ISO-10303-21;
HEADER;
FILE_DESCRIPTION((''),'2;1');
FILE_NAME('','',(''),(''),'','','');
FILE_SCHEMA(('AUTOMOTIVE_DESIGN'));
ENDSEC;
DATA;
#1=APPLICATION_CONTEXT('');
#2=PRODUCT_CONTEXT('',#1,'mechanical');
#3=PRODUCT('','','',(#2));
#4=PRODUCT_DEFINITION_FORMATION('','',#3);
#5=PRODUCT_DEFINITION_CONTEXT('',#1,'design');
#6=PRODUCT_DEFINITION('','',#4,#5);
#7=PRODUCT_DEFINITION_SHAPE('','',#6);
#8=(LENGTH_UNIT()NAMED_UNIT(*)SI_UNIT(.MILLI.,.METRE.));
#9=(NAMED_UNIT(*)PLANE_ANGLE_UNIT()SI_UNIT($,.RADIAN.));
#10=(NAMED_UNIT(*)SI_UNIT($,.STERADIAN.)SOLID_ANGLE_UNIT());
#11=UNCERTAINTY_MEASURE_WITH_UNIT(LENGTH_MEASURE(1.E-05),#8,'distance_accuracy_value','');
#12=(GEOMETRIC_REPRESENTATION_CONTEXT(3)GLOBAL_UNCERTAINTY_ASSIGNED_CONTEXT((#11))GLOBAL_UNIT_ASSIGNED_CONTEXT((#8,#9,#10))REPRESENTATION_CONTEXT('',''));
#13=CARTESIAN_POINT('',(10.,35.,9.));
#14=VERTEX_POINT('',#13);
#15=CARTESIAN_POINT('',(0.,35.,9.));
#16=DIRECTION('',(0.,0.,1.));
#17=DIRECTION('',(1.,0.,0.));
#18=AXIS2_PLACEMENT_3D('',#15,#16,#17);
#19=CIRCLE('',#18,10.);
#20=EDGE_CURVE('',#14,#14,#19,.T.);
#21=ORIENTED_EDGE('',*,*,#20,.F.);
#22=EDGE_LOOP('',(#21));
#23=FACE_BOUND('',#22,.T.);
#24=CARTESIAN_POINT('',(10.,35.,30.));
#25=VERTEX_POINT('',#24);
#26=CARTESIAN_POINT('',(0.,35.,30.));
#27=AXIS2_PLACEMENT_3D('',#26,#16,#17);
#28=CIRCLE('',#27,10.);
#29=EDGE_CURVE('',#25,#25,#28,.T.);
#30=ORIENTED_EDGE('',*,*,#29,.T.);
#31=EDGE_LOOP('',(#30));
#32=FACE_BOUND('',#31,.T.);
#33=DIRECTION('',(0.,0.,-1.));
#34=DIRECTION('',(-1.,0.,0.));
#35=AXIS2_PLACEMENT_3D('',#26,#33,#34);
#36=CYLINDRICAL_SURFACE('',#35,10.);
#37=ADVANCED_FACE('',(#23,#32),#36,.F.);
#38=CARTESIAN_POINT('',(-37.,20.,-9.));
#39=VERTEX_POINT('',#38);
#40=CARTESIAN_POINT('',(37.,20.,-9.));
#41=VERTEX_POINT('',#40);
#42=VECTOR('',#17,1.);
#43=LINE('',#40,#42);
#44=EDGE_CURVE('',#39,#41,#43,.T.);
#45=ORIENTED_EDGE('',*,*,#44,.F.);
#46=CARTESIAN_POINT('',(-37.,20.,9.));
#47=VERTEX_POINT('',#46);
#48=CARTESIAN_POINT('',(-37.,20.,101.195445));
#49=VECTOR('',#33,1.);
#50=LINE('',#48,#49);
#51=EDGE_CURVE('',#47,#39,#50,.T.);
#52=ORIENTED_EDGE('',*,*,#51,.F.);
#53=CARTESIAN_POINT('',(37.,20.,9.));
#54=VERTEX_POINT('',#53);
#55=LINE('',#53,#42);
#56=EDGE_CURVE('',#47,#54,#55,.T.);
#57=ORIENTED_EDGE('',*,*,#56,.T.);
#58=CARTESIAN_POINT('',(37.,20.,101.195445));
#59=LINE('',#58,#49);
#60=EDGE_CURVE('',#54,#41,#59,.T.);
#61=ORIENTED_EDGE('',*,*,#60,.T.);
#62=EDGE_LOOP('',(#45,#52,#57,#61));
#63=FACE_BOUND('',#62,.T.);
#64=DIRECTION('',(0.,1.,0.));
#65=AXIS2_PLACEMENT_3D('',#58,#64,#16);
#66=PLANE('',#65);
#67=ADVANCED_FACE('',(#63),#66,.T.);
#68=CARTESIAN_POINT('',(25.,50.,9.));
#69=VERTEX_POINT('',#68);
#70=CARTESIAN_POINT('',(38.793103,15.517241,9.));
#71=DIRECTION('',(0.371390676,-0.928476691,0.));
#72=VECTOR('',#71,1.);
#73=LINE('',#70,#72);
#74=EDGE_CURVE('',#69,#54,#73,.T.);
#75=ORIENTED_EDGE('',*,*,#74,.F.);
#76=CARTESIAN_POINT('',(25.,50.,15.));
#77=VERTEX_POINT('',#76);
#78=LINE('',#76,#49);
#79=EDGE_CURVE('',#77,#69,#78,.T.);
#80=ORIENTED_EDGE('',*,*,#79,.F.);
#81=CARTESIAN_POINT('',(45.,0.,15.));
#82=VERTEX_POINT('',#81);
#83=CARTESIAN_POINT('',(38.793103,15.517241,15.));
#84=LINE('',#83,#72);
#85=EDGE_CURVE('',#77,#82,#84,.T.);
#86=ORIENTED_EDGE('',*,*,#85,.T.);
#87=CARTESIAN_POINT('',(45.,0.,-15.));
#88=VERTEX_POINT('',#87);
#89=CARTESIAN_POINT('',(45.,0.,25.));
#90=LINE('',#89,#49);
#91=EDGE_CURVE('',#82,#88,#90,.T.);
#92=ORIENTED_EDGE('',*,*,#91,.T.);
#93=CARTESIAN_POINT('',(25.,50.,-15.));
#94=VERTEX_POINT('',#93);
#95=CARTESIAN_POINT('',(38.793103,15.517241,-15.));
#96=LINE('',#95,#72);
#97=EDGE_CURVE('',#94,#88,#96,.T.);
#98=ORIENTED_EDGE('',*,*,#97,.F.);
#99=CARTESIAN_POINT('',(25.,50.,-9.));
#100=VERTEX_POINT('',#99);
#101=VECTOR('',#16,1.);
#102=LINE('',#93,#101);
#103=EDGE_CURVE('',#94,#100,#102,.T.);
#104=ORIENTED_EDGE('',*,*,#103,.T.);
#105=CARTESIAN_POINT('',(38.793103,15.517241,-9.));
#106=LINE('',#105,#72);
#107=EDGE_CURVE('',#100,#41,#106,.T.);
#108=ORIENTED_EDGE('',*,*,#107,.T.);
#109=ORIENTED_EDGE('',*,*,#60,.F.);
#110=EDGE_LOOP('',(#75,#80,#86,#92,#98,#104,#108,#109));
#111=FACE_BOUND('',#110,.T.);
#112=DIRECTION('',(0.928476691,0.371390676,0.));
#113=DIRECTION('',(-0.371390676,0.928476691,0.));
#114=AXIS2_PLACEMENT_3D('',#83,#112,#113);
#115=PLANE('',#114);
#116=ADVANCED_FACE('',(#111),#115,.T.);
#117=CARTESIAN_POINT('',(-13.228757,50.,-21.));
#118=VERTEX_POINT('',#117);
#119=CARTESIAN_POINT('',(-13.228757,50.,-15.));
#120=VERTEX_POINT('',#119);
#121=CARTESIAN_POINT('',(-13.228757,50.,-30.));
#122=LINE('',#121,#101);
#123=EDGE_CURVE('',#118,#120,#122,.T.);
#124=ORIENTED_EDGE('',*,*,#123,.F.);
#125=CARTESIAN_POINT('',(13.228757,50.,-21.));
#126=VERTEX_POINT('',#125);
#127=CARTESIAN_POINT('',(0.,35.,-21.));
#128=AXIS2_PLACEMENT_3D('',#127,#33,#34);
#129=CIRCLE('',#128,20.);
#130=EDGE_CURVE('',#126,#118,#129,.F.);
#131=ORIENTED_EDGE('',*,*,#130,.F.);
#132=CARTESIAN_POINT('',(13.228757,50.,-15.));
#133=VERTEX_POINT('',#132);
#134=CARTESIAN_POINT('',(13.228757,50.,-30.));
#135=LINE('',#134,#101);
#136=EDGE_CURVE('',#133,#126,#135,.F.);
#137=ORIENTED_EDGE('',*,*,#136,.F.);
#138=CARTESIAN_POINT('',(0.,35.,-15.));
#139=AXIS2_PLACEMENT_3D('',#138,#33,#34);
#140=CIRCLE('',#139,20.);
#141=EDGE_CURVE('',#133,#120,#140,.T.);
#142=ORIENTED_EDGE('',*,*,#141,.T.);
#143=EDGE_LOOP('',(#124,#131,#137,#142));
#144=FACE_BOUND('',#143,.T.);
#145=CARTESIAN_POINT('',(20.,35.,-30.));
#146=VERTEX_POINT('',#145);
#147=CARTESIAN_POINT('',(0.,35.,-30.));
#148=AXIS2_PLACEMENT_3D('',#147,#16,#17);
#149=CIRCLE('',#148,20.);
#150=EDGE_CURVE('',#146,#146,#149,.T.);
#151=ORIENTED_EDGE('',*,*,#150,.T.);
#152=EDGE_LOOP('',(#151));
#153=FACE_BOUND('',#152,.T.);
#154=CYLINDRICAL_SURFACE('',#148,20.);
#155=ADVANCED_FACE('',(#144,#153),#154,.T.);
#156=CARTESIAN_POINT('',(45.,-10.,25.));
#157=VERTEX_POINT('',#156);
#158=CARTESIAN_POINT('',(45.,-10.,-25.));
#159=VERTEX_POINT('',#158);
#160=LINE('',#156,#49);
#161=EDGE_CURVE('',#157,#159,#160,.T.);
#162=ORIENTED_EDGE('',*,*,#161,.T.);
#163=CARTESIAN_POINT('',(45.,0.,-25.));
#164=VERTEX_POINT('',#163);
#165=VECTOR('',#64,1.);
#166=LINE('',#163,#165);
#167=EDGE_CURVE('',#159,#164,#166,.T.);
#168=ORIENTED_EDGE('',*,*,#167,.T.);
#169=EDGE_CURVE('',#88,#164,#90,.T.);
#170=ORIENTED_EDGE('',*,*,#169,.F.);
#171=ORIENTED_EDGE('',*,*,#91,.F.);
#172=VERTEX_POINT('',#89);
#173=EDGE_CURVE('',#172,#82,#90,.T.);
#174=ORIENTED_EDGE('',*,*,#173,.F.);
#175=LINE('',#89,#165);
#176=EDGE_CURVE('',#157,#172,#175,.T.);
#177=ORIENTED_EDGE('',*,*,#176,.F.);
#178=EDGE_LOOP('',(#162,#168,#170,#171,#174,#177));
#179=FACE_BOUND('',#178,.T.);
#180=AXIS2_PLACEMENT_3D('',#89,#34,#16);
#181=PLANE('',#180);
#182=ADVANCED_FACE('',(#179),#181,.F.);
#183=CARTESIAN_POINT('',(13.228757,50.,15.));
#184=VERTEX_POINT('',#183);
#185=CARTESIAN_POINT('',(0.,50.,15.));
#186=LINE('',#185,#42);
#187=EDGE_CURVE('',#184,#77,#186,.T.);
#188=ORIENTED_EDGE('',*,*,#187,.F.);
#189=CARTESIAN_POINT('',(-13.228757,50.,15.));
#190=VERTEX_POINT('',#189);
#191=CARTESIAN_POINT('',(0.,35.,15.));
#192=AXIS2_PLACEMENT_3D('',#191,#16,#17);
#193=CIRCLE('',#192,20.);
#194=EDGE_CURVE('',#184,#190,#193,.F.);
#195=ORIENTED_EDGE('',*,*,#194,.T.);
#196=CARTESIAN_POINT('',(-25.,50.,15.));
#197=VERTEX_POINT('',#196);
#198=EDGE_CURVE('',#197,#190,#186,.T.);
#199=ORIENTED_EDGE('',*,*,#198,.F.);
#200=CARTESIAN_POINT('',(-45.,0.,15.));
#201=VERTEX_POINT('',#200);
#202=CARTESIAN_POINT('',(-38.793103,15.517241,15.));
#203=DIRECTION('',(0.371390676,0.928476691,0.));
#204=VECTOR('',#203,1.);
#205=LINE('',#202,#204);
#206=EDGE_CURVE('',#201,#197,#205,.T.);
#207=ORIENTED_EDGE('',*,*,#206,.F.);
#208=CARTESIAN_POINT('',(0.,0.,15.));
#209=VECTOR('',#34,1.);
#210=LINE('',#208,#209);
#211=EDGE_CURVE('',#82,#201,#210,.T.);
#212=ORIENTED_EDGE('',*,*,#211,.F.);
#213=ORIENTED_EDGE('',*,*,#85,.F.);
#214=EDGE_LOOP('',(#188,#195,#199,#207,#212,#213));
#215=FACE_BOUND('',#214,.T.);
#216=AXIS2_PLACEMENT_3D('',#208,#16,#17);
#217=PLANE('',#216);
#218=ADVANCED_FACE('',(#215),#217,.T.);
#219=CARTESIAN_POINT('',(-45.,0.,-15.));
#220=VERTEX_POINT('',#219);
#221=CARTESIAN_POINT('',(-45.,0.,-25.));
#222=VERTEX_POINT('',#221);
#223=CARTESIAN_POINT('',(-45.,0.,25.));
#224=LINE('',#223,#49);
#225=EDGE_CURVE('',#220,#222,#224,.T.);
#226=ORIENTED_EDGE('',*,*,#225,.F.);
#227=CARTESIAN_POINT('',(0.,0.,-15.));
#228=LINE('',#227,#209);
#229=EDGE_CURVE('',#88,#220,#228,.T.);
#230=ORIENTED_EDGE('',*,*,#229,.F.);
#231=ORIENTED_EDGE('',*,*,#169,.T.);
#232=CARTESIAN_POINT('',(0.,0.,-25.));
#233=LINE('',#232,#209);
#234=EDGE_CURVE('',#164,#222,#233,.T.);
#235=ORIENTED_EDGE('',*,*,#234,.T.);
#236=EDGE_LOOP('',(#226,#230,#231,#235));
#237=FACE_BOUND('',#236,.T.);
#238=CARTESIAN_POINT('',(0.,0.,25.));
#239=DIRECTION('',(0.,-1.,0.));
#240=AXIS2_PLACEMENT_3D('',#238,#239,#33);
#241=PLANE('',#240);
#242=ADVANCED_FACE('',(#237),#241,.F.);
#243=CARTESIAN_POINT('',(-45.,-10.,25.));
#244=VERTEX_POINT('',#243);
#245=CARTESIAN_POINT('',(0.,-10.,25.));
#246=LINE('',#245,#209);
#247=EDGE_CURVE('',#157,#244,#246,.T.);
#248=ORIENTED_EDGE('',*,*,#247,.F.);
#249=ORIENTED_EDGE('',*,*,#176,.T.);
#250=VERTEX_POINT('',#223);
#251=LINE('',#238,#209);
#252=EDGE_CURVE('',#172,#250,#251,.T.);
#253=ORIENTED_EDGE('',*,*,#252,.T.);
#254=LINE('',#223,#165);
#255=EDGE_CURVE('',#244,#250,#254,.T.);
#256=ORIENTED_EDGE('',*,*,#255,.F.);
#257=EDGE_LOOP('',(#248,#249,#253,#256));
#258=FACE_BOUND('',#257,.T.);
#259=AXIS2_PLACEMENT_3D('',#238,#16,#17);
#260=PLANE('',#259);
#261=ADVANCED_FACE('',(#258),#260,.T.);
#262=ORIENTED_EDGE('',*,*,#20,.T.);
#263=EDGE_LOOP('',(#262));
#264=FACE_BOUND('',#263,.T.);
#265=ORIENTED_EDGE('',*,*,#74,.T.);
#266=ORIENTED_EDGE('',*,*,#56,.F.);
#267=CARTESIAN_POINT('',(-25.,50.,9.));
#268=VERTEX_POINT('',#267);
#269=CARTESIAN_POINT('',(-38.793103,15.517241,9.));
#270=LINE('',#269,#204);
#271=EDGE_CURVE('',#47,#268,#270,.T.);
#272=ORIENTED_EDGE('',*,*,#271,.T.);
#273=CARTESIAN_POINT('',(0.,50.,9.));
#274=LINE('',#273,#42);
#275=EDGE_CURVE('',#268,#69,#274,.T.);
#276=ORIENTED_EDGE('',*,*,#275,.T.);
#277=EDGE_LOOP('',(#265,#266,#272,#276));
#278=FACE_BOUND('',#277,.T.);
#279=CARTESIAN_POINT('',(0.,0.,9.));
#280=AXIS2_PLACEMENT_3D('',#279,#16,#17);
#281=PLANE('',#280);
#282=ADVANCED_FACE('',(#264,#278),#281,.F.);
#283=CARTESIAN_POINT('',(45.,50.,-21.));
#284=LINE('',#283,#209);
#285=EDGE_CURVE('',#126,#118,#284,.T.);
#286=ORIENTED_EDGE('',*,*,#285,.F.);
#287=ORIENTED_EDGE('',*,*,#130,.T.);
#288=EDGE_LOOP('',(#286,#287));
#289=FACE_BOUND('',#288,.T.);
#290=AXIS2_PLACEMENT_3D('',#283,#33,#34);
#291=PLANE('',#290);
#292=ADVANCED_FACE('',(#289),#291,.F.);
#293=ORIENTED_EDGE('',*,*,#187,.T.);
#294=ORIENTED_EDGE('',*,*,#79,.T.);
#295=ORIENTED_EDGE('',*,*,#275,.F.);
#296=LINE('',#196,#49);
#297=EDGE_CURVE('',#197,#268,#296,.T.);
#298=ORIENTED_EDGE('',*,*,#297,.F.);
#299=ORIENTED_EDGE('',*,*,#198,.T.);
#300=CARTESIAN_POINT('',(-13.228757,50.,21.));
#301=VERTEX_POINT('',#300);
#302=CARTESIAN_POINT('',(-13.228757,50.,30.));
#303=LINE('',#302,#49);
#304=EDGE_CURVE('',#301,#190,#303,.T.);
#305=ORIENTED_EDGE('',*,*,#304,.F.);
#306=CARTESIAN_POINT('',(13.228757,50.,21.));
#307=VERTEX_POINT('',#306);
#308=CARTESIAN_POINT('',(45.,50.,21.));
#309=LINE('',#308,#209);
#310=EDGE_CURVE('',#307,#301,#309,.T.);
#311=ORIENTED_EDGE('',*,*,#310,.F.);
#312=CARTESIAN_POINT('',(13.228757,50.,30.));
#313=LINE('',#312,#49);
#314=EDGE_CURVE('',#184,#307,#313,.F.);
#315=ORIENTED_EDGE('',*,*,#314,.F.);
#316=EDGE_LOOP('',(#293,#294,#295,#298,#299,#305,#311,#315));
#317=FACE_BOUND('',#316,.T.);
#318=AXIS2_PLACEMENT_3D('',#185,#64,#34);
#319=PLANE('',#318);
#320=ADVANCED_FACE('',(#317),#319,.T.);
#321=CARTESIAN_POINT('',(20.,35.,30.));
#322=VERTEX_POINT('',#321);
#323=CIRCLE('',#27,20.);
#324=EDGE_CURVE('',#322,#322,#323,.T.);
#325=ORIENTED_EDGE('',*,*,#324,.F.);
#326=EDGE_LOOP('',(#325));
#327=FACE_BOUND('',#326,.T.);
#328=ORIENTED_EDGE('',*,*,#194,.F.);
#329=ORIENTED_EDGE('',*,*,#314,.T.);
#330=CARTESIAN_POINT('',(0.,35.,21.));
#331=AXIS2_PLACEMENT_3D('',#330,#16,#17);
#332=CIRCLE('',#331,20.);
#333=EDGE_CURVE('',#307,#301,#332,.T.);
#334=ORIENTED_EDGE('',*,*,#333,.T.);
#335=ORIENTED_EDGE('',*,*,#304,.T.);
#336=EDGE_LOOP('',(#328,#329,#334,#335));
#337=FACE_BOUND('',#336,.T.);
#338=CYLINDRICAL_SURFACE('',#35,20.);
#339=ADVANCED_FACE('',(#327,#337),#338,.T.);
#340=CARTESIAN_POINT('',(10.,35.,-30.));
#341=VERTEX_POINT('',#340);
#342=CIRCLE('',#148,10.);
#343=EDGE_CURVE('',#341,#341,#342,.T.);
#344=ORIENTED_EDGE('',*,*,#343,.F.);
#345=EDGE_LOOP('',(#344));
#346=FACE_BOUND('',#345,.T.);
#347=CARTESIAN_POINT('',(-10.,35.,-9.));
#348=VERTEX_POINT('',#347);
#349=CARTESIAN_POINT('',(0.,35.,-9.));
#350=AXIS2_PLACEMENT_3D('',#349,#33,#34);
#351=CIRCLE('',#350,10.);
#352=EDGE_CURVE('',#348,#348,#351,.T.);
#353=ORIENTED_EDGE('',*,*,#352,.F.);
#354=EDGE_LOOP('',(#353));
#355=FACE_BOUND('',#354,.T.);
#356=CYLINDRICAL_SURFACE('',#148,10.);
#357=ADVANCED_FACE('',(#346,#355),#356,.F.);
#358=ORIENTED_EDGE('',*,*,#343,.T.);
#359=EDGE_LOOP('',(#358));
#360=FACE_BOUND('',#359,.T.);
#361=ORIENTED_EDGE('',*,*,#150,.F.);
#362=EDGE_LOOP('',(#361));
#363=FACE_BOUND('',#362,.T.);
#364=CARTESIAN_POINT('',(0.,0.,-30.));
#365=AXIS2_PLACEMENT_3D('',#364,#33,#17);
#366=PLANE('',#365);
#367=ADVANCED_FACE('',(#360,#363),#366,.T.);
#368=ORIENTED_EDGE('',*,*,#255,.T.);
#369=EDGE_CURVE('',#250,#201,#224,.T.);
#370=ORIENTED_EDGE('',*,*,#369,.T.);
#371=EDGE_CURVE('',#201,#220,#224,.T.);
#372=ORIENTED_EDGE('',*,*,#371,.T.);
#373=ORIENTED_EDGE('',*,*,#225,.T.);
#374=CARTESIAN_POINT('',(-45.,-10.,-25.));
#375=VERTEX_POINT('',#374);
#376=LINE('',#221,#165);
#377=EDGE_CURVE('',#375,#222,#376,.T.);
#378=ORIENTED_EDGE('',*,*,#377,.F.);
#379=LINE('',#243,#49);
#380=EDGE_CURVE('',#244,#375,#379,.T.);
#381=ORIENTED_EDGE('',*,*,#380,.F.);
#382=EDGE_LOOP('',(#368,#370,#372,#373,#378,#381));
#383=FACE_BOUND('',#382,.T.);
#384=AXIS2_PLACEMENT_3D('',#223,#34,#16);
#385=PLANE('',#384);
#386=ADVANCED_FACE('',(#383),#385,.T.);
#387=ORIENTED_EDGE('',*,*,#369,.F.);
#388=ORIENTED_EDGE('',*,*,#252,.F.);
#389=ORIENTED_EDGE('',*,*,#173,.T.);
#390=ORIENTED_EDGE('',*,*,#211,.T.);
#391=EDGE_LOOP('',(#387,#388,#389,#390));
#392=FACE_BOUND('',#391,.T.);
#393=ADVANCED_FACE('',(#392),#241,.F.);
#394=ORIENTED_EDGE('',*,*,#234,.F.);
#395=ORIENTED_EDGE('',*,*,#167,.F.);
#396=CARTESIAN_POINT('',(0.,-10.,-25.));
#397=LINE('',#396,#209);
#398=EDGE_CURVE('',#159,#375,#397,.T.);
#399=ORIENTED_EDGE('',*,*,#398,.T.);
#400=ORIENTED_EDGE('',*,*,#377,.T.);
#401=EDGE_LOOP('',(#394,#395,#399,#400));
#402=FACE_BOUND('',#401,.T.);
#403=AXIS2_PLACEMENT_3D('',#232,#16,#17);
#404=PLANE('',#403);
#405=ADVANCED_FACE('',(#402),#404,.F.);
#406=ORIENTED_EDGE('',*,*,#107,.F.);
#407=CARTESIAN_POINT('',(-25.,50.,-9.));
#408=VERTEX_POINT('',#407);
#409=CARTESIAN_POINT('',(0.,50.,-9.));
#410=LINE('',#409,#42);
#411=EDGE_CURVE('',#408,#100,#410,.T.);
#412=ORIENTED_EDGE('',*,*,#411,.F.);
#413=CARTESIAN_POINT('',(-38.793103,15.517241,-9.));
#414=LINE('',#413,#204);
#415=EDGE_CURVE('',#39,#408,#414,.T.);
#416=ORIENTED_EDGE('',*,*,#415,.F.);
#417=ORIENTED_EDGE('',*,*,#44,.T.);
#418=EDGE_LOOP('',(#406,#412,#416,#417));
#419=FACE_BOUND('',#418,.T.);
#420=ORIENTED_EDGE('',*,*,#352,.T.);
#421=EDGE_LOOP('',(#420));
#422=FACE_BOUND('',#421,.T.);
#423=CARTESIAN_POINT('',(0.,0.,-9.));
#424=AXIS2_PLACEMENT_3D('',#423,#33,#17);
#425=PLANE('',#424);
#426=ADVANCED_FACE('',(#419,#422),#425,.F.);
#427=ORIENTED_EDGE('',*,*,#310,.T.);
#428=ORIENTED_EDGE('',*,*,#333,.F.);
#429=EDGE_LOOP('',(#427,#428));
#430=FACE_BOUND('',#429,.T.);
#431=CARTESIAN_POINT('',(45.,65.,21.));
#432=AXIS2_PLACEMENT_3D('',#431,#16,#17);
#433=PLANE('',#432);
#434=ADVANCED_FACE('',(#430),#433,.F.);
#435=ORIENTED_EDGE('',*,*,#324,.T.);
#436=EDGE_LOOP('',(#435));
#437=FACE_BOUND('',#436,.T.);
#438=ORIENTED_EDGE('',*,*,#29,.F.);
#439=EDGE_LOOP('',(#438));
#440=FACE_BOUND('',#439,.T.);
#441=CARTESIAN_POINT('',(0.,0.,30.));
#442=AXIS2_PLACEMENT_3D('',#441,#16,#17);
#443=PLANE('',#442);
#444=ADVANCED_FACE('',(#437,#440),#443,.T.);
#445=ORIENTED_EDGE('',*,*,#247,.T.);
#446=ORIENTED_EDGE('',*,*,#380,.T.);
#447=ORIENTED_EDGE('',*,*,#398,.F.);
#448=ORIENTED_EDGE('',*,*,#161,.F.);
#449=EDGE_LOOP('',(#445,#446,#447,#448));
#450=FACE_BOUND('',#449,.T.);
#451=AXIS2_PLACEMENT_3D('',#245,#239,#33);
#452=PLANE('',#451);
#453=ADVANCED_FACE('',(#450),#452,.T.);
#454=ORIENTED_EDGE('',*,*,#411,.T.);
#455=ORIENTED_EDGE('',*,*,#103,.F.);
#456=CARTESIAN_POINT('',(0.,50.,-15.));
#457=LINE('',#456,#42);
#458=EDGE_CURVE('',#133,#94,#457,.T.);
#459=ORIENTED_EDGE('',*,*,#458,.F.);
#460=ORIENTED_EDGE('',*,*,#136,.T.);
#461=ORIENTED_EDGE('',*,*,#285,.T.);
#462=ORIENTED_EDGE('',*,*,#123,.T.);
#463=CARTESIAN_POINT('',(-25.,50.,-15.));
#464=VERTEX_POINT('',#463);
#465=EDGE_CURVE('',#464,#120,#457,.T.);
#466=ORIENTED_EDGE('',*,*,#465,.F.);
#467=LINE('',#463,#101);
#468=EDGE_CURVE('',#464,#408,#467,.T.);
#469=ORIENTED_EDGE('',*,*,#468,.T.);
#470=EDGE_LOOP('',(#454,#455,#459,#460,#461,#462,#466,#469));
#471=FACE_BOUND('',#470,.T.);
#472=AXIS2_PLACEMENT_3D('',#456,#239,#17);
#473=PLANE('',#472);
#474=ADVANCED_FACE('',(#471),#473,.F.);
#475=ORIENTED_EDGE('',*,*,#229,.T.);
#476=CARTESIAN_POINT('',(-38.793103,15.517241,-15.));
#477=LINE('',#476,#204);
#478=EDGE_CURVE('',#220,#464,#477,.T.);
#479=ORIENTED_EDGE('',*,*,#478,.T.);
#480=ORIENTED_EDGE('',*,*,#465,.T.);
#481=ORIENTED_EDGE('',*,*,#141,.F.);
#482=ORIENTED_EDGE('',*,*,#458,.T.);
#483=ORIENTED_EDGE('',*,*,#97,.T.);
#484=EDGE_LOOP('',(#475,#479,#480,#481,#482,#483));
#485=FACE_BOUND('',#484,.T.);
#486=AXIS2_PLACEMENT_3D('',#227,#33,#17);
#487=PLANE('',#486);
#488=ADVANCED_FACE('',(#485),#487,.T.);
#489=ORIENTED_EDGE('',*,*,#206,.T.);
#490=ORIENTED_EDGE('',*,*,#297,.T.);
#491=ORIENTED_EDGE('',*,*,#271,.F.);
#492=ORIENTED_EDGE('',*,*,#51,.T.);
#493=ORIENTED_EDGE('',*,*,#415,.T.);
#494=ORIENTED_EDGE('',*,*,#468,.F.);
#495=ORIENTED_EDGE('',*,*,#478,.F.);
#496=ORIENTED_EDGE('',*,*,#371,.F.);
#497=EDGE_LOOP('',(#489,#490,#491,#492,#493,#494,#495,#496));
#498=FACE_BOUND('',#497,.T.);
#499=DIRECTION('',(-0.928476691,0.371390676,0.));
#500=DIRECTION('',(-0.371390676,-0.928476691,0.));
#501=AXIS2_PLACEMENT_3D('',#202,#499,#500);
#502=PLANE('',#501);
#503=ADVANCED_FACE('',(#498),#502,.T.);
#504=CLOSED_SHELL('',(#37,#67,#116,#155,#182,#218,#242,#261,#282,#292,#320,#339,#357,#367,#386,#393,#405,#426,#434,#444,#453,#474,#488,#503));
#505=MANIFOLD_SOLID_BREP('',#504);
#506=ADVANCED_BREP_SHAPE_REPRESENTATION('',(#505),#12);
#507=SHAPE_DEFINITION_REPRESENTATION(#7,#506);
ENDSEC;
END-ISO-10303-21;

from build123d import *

# Parameters (mm, degrees)
SKETCH1_W           = 90
SKETCH1_H           = 10
BOSS_EXTRUDE1_DEPTH = 25
BOSS_EXTRUDE2_START = 9
SKETCH1_3_R         = 20
SKETCH1_3_R_2       = 10
BOSS_EXTRUDE2_DEPTH = 6
BOSS_EXTRUDE3_START = 15
SKETCH1_4_R         = 10
BOSS_EXTRUDE3_DEPTH = 15
SKETCH1_5_R         = 10
CUT_EXTRUDE1_DEPTH  = 47.5
SKETCH2_W           = 42
SKETCH2_H           = 15
CUT_EXTRUDE2_DEPTH  = 110.658560997
BOSS_EXTRUDE4_START = -6
BOSS_EXTRUDE4_DEPTH = 18


with BuildPart() as part:
    # Sketch1 → Boss-Extrude1 (new, symmetric)
    with BuildSketch(Plane.XY):
        with Locations((0, -5)):
            Rectangle(SKETCH1_W, SKETCH1_H)
    extrude(amount=BOSS_EXTRUDE1_DEPTH, both=True)

    # Sketch1<3> → Boss-Extrude2 (add)
    # profile 1 of 3: a face of its own
    with BuildSketch(Plane.XY.offset(BOSS_EXTRUDE2_START)):
        Polygon((-25, 50), (25, 50), (45, 0), (-45, 0), align=None)
        with Locations((0, 35)):
            Circle(SKETCH1_3_R, mode=Mode.SUBTRACT)
    # profile 2 of 3: a face of its own
    with BuildSketch(Plane.XY.offset(BOSS_EXTRUDE2_START)):
        with BuildLine():
            Line((13.228756555, 50), (-13.228756555, 50))
            ThreePointArc((-13.228756555, 50), (-8.228756555, 16.771243445), (20, 35))
            ThreePointArc((20, 35), (18.228756555, 43.228756555), (13.228756555, 50))
        make_face()
        with Locations((0, 35)):
            Circle(SKETCH1_3_R_2, mode=Mode.SUBTRACT)
    # profile 3 of 3: a face of its own
    with BuildSketch(Plane.XY.offset(BOSS_EXTRUDE2_START)):
        with Locations((0, 35)):
            Circle(SKETCH1_3_R_2)
    boss_extrude2 = extrude(amount=BOSS_EXTRUDE2_DEPTH)

    # Mirror1: Boss-Extrude2 across plane
    add(boss_extrude2.mirror(Plane.XY))

    # Sketch1<4> → Boss-Extrude3 (add)
    # profile 1 of 2: a face of its own
    with BuildSketch(Plane.XY.offset(BOSS_EXTRUDE3_START)):
        with BuildLine():
            Line((13.228756555, 50), (-13.228756555, 50))
            ThreePointArc((-13.228756555, 50), (-8.228756555, 16.771243445), (20, 35))
            ThreePointArc((20, 35), (18.228756555, 43.228756555), (13.228756555, 50))
        make_face()
        with Locations((0, 35)):
            Circle(SKETCH1_4_R, mode=Mode.SUBTRACT)
    # profile 2 of 2: a face of its own
    with BuildSketch(Plane.XY.offset(BOSS_EXTRUDE3_START)):
        with BuildLine():
            ThreePointArc((13.228756555, 50), (0, 55), (-13.228756555, 50))
            Line((-13.228756555, 50), (13.228756555, 50))
        make_face()
    boss_extrude3 = extrude(amount=BOSS_EXTRUDE3_DEPTH)

    # Mirror2: Boss-Extrude3 across plane
    add(boss_extrude3.mirror(Plane.XY))

    # Sketch1<5> → Cut-Extrude1 (cut, symmetric)
    with BuildSketch(Plane.XY):
        with Locations((0, 35)):
            Circle(SKETCH1_5_R)
    extrude(amount=CUT_EXTRUDE1_DEPTH, both=True, mode=Mode.SUBTRACT)

    # Sketch2 → Cut-Extrude2 (cut, through all)
    with BuildSketch(Plane.ZY.offset(45)):
        with Locations((0, 57.5)):
            Rectangle(SKETCH2_W, SKETCH2_H)
    extrude(amount=-CUT_EXTRUDE2_DEPTH, mode=Mode.SUBTRACT)

    # Sketch3 → Boss-Extrude4 (add)
    with BuildSketch(Plane(origin=(0, 0, -15), x_dir=(-1, 0, 0), z_dir=(0, 0, -1)).offset(BOSS_EXTRUDE4_START)):
        Polygon((-45, 0), (-37, 20), (37, 20), (45, 0), align=None)
    extrude(amount=-BOSS_EXTRUDE4_DEPTH)


solid = part.part
